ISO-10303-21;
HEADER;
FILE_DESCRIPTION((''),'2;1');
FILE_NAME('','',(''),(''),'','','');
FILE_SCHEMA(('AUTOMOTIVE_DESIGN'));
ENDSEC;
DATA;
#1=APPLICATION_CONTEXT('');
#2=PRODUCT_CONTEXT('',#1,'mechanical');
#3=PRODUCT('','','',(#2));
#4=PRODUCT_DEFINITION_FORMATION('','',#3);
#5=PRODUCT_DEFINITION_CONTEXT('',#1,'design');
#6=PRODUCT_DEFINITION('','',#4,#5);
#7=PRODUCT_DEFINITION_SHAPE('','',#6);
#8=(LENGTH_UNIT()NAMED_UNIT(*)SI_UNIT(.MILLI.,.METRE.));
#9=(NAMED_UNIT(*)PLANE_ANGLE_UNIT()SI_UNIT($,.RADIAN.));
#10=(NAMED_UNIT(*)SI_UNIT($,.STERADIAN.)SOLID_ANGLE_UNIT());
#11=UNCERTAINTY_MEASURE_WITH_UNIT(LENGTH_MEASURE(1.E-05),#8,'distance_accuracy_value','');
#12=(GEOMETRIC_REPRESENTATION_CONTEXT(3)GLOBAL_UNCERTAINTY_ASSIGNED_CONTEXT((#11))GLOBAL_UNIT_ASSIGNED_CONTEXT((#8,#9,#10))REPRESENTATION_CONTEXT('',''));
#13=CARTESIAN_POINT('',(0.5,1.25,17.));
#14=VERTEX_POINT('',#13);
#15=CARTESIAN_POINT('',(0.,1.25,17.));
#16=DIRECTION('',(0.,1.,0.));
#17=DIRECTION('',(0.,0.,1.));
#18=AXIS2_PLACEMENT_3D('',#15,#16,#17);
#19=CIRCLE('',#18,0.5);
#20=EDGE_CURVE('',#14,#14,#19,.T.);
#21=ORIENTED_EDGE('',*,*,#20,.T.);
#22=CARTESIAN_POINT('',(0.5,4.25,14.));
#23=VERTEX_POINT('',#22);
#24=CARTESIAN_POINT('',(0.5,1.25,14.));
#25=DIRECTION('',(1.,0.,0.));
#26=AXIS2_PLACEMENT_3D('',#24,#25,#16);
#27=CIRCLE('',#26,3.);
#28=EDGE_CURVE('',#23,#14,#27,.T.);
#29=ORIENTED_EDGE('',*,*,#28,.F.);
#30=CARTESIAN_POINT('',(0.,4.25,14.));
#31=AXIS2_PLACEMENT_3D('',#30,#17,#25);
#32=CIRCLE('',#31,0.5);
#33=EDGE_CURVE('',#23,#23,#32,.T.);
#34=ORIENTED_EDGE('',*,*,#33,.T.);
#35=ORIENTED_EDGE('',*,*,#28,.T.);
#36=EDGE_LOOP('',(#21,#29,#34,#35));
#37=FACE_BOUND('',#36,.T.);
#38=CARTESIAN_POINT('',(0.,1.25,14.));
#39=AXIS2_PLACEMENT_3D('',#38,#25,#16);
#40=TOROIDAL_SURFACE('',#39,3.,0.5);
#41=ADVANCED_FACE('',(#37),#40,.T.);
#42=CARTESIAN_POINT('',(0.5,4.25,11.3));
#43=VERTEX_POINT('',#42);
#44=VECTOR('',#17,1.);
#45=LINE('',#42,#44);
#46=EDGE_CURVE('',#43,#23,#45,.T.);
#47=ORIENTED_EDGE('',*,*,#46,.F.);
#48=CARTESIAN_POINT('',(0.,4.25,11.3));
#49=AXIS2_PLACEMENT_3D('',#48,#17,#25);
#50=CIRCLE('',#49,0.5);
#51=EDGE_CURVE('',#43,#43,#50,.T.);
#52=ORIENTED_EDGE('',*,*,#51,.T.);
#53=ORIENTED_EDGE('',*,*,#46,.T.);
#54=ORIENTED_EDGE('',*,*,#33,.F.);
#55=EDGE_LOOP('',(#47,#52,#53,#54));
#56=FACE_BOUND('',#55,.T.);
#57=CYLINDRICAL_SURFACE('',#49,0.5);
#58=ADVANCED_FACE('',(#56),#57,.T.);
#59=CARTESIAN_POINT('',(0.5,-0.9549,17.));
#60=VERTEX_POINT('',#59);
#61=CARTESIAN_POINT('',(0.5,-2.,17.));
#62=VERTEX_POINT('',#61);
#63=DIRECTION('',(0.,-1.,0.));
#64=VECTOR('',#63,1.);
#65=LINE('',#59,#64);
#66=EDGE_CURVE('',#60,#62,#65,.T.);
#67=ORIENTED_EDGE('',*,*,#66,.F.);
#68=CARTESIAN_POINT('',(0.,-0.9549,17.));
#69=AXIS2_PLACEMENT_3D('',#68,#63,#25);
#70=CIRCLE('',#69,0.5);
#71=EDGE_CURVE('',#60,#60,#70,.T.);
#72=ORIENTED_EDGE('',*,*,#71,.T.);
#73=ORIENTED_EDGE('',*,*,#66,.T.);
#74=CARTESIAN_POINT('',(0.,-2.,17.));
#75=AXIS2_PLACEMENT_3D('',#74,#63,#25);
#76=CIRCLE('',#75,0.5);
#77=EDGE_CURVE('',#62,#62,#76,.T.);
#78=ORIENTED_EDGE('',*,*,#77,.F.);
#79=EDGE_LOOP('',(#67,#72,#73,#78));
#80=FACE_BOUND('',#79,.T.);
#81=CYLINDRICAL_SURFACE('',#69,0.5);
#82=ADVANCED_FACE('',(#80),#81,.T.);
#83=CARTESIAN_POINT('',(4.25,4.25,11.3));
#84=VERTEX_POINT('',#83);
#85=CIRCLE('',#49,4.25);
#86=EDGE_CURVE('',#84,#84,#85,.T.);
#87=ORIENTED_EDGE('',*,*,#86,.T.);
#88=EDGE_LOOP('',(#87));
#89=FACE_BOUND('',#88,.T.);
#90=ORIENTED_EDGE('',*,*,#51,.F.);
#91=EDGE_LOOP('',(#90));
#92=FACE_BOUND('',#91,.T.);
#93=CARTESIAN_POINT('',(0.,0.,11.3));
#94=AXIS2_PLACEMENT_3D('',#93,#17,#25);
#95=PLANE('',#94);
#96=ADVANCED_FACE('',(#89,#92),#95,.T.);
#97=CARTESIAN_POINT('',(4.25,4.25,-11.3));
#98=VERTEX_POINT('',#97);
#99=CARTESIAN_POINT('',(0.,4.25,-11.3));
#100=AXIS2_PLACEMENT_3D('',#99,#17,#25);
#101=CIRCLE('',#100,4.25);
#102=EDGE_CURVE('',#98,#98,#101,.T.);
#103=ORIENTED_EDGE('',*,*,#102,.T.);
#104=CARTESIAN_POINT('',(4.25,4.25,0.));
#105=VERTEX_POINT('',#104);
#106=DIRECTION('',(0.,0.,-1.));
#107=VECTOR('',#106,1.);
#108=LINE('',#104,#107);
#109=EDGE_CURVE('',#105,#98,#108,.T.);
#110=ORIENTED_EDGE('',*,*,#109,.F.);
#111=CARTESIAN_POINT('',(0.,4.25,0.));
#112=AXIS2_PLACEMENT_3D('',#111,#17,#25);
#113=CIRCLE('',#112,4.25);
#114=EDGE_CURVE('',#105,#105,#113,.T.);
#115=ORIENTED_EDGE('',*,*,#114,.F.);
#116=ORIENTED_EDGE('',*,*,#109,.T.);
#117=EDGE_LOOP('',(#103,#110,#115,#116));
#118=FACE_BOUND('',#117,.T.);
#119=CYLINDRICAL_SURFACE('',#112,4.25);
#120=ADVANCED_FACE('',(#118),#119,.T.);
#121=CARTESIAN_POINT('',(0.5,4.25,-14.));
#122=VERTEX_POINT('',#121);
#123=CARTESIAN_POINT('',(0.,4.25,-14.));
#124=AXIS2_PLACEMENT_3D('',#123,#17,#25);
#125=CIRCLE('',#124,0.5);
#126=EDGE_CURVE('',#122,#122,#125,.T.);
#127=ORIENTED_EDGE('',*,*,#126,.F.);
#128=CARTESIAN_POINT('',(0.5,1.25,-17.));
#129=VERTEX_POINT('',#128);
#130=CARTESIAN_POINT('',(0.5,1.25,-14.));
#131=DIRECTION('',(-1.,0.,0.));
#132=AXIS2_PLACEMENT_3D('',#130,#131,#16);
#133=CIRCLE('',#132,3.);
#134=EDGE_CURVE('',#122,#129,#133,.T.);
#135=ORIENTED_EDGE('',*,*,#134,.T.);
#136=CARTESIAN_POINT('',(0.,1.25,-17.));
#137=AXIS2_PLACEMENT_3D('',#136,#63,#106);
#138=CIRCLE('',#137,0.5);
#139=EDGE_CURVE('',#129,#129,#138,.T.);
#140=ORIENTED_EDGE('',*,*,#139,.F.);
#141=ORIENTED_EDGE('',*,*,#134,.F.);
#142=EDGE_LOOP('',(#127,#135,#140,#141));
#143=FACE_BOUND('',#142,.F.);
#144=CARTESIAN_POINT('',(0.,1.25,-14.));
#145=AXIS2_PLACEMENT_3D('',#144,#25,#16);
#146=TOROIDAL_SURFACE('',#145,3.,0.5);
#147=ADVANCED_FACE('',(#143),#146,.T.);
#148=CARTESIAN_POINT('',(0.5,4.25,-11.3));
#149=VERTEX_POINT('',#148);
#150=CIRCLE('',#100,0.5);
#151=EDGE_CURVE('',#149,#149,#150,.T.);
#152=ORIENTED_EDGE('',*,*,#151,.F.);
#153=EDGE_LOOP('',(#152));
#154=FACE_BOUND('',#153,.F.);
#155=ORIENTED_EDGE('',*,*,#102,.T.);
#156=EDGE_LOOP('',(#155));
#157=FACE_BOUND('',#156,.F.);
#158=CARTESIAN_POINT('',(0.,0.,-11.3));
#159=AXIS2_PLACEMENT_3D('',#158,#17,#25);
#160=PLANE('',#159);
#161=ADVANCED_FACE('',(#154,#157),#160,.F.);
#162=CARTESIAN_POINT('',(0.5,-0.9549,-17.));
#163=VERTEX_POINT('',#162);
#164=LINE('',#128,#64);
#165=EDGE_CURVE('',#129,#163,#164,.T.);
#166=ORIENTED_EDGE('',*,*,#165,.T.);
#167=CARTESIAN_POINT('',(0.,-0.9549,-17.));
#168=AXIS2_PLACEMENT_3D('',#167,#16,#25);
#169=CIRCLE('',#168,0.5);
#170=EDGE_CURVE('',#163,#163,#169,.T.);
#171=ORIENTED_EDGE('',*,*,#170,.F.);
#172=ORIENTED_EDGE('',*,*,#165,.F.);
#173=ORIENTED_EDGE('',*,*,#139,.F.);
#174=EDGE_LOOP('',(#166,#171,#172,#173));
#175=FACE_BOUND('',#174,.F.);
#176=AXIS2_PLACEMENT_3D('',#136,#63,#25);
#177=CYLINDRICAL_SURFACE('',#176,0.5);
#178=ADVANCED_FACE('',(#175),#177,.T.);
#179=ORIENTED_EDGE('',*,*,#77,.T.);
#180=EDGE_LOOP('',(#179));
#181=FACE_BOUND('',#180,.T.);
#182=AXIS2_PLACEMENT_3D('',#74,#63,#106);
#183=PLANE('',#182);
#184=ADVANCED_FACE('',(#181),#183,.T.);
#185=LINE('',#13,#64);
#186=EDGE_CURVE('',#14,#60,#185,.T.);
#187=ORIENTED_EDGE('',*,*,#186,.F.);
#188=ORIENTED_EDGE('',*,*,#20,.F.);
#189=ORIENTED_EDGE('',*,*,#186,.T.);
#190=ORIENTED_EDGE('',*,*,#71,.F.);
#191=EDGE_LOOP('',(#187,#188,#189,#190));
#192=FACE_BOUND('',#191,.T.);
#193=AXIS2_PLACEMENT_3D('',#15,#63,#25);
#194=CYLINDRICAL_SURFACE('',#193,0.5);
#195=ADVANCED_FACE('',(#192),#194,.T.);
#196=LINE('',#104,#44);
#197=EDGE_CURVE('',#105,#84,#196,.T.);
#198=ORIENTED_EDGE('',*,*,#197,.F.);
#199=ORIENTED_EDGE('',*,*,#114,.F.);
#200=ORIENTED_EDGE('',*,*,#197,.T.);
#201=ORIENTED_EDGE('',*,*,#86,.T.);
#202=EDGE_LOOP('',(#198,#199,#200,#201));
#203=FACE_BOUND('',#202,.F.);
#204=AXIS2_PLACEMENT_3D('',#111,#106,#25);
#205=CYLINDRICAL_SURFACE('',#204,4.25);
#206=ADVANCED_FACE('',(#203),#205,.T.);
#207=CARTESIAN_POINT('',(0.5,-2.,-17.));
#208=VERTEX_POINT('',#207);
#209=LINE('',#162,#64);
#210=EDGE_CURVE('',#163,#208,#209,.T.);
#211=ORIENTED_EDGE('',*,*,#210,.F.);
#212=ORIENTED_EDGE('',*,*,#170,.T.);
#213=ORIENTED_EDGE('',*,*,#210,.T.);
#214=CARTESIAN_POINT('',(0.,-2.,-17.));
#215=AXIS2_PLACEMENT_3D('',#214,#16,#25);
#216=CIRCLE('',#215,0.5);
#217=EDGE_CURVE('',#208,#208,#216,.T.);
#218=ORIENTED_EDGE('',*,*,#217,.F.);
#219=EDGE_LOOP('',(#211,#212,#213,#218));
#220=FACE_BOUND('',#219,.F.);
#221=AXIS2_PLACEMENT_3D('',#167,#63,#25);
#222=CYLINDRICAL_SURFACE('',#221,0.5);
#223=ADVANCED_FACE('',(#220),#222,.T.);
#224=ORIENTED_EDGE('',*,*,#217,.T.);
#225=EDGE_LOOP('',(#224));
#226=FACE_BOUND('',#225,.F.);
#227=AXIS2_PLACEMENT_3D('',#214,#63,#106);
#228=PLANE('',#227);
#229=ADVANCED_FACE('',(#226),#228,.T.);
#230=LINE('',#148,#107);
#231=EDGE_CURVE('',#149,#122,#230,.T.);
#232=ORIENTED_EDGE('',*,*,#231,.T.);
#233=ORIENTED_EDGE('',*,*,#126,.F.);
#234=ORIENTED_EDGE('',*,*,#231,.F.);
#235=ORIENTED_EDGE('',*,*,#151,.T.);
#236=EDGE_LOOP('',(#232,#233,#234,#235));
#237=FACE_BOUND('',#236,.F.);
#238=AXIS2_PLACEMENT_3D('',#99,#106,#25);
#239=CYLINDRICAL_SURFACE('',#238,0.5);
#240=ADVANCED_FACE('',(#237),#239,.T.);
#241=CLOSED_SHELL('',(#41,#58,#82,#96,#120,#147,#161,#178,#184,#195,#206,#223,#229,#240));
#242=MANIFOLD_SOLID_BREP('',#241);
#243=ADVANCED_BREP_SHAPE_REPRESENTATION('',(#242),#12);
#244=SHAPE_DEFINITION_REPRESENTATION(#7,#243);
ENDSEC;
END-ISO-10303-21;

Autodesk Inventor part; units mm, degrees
ref_plane "YZ Plane" through (0, 0, 0) normal (1, 0, 0) x (0, 1, 0)
ref_plane "XZ Plane" through (0, 0, 0) normal (0, 1, 0) x (-1, 0, 0)
ref_plane "XY Plane" through (0, 0, 0) normal (0, 0, 1) x (1, 0, 0)
sketch "Sketch1" plane through (0, 0, 0) normal (0, 0, 1) x (1, 0, 0)
  circle A0 centre (0, 4.25) radius 4.25
  point P0 (0, 0)
  dimension "d0" = 8.5
  dimension "d1" = 4.25
extrude "Extrusion1" add sketch "Sketch1" along normal mid plane 22.6
sketch "Sketch2" plane through (0, 4.25, 11.3) normal (0, 0, 1) x (1, 0, 0)
  circle A0 centre (0, 0) radius 0.5
  point P0 (0, -4.25)
  dimension "d4" = 1
sketch "Sketch3" plane through (0, 0, 0) normal (1, 0, 0) x (0, 1, 0)
  line L0 (8.5, 11.3) -> (0, 11.3) projected
  line L1 (4.25, 11.3) -> (4.25, 14)
  line L2 (1.25, 17) -> (-0.9549, 17)
  arc A0 (4.25, 14) -> (1.25, 17) centre (1.25, 14) ccw
  line L3 (-0.9549, 17) -> (-2, 17)
  point P0 (0, 0)
  dimension "d5" = 17
  dimension "d6" = 3
  dimension "d8" = 2
sweep "Sweep1" add profiles "Sketch2" path "Sketch3" path curves L1 A0 L2 L3
mirror "Mirror1" about plane through (0, 0, 0) normal (0, 0, 1) of "Sweep1"
properties part number "MT5-0R05F3_Power_Resistor"
